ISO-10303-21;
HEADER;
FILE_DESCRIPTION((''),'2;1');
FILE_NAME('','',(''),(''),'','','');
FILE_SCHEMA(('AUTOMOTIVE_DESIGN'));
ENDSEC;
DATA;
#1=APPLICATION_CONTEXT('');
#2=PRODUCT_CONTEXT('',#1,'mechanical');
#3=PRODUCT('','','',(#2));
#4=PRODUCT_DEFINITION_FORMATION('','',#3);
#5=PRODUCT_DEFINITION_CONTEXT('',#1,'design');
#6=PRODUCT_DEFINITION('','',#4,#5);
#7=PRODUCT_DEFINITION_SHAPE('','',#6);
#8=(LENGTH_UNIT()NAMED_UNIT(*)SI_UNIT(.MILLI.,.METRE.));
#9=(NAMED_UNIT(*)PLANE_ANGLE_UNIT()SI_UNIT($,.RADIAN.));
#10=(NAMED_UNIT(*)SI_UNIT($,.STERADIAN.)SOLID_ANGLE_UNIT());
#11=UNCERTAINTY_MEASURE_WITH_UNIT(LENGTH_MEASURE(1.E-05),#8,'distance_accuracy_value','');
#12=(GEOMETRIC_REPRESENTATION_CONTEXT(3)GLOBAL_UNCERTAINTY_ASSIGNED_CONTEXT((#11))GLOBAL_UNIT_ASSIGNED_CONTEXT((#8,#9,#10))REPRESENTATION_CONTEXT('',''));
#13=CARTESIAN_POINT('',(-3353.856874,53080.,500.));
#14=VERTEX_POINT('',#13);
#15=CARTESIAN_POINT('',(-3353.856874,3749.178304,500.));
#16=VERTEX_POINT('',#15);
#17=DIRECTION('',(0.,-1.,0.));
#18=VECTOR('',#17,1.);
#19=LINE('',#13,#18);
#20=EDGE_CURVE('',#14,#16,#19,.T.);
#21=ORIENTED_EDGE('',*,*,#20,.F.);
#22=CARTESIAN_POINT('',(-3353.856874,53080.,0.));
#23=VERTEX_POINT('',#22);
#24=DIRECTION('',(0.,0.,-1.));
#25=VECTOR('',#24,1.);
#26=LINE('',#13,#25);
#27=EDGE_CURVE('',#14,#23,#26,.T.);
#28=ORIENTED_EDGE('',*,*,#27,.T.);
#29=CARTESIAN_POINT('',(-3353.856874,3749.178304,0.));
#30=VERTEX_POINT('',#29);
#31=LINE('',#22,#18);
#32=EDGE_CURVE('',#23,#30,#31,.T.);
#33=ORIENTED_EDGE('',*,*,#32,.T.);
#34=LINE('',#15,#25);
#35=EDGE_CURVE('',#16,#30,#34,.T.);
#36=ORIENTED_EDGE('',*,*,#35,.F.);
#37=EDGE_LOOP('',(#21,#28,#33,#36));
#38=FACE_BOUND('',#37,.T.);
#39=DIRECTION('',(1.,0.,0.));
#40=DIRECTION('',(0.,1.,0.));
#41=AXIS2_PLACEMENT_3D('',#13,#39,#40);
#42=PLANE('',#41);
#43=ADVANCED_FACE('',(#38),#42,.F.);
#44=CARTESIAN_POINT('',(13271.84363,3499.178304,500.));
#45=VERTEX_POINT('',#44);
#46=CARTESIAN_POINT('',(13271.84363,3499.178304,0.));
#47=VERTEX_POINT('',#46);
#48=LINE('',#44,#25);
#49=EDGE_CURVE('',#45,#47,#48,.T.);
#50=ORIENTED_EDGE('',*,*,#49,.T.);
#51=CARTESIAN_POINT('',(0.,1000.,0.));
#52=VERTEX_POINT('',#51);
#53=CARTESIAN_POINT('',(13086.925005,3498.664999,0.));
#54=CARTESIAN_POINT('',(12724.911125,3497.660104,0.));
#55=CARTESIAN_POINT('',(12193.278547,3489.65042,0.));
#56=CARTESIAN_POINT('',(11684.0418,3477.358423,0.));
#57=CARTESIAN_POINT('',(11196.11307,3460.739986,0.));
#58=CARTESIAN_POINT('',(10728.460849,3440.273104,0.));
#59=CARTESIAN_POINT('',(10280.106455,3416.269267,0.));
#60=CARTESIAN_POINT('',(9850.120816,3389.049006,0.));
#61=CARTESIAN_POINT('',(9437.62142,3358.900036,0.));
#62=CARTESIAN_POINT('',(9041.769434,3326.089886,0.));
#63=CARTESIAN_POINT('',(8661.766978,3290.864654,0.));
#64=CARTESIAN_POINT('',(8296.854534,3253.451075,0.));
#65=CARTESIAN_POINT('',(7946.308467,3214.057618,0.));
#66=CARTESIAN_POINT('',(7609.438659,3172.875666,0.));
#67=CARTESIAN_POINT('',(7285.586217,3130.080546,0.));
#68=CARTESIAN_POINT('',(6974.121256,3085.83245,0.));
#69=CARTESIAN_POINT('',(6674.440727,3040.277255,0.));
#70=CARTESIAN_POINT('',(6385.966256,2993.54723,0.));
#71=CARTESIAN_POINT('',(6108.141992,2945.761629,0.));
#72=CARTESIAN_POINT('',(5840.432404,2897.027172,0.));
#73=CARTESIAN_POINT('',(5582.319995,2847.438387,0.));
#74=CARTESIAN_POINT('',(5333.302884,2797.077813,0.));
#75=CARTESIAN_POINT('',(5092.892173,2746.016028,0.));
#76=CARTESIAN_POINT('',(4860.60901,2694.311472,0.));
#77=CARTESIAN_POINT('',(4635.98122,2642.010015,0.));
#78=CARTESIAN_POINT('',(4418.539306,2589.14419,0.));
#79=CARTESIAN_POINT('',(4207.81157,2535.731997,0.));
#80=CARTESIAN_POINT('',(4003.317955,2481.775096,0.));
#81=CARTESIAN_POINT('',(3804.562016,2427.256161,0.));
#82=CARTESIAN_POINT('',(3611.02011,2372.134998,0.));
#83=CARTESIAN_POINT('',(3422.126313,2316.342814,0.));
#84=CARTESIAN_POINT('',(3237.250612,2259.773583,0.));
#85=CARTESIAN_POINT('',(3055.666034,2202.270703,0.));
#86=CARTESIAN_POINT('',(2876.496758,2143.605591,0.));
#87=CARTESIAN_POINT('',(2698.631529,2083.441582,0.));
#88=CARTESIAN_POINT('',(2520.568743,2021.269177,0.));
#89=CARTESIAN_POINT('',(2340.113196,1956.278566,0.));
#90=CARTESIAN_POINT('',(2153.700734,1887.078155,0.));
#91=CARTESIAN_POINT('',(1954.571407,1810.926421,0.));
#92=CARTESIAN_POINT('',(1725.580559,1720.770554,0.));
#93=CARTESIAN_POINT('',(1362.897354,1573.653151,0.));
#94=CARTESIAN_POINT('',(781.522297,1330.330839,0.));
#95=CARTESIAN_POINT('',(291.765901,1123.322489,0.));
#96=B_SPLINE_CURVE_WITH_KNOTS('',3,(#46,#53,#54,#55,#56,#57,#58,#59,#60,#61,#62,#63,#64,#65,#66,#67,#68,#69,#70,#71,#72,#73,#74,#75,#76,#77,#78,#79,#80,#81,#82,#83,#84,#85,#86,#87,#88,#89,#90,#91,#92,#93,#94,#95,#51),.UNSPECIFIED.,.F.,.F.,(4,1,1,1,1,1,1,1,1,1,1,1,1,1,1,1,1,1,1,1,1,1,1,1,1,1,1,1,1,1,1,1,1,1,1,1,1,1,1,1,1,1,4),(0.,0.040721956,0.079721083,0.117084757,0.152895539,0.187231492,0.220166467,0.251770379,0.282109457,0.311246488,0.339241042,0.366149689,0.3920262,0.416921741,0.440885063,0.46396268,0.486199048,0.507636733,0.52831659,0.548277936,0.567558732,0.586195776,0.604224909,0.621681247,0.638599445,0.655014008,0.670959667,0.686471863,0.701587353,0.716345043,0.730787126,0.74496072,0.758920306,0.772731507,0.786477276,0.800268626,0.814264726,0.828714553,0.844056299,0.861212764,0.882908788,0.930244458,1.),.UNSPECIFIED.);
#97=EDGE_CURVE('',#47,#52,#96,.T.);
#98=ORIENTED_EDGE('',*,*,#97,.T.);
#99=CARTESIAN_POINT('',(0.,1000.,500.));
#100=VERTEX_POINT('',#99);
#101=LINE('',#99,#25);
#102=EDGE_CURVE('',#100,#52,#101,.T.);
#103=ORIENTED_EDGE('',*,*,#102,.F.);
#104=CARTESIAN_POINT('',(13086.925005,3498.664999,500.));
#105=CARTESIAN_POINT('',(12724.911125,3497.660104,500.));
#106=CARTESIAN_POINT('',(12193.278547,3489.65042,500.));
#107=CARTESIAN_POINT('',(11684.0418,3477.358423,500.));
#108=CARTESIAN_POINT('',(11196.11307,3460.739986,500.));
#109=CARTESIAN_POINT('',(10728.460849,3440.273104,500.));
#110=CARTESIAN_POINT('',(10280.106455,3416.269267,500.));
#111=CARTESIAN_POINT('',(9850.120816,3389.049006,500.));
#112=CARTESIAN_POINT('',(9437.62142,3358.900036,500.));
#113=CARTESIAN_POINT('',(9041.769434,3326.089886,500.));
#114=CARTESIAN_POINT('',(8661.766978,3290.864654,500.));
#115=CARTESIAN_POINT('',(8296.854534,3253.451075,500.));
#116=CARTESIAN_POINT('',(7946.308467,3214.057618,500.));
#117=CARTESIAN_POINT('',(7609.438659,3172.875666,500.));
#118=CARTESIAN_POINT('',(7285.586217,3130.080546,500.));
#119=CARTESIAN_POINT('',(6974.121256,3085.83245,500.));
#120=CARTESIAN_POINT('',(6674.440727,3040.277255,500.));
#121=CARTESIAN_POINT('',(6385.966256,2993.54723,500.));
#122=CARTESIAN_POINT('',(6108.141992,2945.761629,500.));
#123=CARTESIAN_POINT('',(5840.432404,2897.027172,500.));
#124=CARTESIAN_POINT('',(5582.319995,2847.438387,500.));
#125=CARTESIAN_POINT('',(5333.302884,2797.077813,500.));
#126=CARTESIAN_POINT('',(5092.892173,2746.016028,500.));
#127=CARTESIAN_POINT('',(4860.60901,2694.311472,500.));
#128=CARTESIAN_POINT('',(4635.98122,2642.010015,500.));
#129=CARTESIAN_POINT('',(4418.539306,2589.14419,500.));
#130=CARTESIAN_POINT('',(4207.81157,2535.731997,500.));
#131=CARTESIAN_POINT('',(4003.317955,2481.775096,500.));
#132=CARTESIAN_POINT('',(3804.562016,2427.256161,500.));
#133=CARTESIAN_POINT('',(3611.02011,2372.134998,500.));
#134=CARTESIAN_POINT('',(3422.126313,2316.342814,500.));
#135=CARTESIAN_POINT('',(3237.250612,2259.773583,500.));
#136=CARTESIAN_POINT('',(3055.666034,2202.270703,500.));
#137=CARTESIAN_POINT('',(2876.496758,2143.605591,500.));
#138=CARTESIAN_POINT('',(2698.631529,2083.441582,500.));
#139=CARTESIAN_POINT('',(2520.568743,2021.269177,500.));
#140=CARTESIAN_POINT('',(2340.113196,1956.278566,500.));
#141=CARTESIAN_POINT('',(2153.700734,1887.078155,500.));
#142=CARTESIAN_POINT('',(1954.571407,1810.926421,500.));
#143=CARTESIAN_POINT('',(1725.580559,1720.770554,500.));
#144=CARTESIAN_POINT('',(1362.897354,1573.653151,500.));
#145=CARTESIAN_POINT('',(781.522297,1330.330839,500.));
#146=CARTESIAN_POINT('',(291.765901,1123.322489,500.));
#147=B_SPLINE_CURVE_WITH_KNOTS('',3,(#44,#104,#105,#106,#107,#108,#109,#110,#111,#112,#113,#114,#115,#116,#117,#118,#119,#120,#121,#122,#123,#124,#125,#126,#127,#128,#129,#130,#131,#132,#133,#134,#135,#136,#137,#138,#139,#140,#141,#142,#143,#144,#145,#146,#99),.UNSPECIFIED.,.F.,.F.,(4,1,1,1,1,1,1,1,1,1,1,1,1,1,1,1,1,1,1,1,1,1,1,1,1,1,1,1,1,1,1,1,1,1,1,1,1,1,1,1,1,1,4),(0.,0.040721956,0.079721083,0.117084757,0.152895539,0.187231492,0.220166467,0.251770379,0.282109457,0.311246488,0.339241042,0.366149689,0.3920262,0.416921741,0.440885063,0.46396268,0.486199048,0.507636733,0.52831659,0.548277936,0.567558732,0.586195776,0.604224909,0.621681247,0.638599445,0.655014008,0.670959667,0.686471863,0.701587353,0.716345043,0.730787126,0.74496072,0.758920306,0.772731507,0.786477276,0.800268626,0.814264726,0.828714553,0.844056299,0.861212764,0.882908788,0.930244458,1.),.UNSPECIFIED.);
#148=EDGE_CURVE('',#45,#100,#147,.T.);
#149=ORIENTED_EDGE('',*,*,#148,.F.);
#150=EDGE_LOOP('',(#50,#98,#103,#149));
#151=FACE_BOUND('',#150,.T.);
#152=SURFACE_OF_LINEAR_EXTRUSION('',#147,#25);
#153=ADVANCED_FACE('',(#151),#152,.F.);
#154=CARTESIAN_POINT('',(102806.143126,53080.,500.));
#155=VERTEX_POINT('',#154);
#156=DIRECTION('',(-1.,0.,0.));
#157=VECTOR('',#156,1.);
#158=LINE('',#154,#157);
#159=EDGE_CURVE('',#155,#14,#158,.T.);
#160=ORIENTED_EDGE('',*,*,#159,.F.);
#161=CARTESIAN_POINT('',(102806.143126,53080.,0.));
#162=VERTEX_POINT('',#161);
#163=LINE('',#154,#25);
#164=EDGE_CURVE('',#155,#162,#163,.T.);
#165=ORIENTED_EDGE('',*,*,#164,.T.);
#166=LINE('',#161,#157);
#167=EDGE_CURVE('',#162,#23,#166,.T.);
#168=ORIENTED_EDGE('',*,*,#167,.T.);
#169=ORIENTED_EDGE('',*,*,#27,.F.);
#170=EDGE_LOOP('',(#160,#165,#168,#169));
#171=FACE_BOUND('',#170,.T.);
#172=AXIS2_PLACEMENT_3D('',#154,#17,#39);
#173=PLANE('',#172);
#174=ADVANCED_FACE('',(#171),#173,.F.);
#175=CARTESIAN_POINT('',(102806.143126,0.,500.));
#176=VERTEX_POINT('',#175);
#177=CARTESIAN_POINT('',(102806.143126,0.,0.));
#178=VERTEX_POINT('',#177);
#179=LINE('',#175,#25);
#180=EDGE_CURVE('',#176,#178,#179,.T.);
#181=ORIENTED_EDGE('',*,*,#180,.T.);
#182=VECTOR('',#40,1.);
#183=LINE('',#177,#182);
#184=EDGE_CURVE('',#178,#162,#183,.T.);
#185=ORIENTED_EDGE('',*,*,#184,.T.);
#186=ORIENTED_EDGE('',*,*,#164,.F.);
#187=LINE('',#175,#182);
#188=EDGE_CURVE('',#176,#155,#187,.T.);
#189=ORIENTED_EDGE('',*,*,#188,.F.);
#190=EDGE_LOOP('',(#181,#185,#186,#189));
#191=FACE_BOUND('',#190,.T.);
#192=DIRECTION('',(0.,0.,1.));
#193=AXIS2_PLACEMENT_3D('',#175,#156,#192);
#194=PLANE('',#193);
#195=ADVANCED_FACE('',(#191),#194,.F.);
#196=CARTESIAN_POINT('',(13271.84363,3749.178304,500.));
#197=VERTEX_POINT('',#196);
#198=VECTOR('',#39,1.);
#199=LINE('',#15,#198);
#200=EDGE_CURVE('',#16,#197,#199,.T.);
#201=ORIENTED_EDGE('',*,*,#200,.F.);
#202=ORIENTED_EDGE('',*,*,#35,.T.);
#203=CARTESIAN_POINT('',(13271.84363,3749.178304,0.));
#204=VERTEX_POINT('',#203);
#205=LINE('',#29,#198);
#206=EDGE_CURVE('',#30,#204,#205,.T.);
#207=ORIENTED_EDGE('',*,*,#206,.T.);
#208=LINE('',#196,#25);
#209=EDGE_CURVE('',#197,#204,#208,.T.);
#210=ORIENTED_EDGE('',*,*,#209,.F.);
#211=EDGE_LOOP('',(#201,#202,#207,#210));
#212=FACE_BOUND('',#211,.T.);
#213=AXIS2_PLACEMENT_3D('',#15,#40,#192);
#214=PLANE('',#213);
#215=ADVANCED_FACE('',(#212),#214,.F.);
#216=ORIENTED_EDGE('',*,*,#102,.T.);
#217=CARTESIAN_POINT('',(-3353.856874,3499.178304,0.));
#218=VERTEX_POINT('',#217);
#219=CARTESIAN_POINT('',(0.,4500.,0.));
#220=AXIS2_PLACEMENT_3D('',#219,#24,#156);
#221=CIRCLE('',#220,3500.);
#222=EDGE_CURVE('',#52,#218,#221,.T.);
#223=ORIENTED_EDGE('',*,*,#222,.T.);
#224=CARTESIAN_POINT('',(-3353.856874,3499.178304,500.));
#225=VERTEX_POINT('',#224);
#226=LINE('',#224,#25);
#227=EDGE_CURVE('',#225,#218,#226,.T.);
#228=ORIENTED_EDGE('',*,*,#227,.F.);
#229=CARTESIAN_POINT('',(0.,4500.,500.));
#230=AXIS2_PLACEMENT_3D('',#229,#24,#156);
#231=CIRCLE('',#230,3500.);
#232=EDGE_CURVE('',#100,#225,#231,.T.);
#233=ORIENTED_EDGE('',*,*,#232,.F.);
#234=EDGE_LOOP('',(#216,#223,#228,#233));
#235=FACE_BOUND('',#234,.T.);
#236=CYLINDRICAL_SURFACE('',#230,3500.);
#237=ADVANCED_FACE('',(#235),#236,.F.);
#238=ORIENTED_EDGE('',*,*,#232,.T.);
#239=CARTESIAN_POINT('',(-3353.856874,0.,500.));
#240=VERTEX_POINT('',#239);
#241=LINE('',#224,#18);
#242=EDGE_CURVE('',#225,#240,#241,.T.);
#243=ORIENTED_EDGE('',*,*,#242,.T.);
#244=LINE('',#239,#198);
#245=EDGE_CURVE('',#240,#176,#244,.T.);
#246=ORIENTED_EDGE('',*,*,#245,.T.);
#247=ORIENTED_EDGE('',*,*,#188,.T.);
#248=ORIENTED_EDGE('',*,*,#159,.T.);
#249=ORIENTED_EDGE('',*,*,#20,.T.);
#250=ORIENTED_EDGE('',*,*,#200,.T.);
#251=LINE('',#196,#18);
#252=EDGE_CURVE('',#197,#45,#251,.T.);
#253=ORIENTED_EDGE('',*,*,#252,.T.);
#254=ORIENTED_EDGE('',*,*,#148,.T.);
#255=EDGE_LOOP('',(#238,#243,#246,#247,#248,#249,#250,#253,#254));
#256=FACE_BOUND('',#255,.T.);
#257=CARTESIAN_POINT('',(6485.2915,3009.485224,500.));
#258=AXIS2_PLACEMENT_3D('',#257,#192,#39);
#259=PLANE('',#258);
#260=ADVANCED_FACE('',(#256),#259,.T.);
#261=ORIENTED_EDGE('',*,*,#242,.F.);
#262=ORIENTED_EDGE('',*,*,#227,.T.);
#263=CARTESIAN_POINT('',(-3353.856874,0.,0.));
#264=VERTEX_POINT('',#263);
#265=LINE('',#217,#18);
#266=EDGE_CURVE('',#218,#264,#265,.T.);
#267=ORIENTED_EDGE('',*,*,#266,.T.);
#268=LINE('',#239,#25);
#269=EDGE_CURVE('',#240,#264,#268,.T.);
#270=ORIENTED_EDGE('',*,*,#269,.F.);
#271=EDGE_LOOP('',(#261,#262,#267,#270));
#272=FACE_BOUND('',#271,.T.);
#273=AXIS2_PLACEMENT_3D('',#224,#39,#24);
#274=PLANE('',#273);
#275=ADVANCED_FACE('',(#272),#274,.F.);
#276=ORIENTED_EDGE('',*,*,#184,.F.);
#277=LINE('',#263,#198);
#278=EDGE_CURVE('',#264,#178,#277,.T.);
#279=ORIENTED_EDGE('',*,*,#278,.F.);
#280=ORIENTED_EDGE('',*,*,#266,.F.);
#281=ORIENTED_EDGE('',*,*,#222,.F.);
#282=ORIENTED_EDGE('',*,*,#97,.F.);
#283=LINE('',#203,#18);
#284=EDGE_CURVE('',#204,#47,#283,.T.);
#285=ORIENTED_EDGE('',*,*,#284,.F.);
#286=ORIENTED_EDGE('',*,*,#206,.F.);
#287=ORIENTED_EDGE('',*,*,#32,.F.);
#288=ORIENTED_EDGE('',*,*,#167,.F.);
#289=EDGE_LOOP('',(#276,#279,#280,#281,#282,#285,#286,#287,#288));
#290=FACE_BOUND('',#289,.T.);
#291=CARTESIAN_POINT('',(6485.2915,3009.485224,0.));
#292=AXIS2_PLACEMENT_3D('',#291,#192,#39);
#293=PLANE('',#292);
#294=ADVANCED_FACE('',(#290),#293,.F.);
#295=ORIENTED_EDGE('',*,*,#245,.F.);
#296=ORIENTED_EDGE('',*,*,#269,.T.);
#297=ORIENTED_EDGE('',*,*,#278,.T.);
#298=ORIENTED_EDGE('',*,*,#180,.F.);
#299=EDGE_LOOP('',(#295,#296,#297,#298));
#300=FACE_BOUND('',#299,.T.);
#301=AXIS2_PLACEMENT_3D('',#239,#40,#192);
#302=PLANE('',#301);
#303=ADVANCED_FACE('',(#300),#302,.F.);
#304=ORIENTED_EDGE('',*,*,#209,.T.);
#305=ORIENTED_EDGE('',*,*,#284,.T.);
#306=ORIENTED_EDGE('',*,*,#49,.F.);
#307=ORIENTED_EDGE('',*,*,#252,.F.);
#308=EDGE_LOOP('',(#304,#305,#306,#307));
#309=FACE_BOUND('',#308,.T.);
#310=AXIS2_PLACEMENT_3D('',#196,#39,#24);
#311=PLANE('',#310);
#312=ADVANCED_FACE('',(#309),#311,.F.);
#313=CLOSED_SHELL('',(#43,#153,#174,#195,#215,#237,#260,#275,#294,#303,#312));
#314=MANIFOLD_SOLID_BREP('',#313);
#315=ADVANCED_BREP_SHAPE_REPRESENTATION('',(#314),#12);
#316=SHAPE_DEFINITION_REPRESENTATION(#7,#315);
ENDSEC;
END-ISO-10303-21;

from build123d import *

# Parameters (mm, degrees)
BOSS_EXTRUDE1_DEPTH = 500


with BuildPart() as part:
    # Sketch1 → Boss-Extrude1 (new body)
    with BuildSketch(Plane.XY):
        with BuildLine():
            Line((-3353.856874341, 3499.178304373), (-3353.856874341, 0))
            Line((-3353.856874341, 0), (102806.143125659, 0))
            Line((102806.143125659, 0), (102806.143125659, 53080))
            Line((102806.143125659, 53080), (-3353.856874341, 53080))
            Line((-3353.856874341, 53080), (-3353.856874341, 3749.178304373))
            Line((-3353.856874341, 3749.178304373), (13271.843629608, 3749.178304373))
            Line((13271.843629608, 3749.178304373), (13271.843629608, 3499.178304373))
            add(Edge.make_bspline(
                [(0, 1000), (291.765900603, 1123.322488736), (781.522297226, 1330.330838858), (1362.897354233, 1573.653151088), (1725.58055856, 1720.77055381), (1954.57140661, 1810.926420972), (2153.700733637, 1887.07815454), (2340.113195958, 1956.278566329), (2520.568742906, 2021.269176864), (2698.631529223, 2083.441582039), (2876.496758345, 2143.60559098), (3055.666034414, 2202.270703111), (3237.250612129, 2259.773582693), (3422.126312829, 2316.342813928), (3611.0201096, 2372.13499832), (3804.562016384, 2427.256160941), (4003.317955266, 2481.775096262), (4207.811570405, 2535.731997309), (4418.539306117, 2589.144190276), (4635.981220127, 2642.010014835), (4860.60901013, 2694.311472469), (5092.892172544, 2746.016028353), (5333.302883792, 2797.077813252), (5582.319994726, 2847.438387022), (5840.432403528, 2897.027171884), (6108.141991809, 2945.761629128), (6385.966255513, 2993.547229939), (6674.440726513, 3040.277255451), (6974.121256361, 3085.832450297), (7285.586216703, 3130.080546165), (7609.438658958, 3172.875666363), (7946.308467423, 3214.05761783), (8296.854533956, 3253.451075226), (8661.766978119, 3290.864653641), (9041.76943365, 3326.089886388), (9437.621420016, 3358.900035556), (9850.120816466, 3389.049006357), (10280.106455001, 3416.269267446), (10728.460848663, 3440.273104087), (11196.113069896, 3460.739986102), (11684.04179999, 3477.358423093), (12193.278546938, 3489.650420084), (12724.911125486, 3497.660104241), (13086.92500481, 3498.66499884), (13271.843629608, 3499.178304373)],
                knots=[0, 0, 0, 0, 0.069755542, 0.117091212, 0.138787236, 0.155943701, 0.171285447, 0.185735274, 0.199731374, 0.213522724, 0.227268493, 0.241079694, 0.25503928, 0.269212874, 0.283654957, 0.298412647, 0.313528137, 0.329040333, 0.344985992, 0.361400555, 0.378318753, 0.395775091, 0.413804224, 0.432441268, 0.451722064, 0.47168341, 0.492363267, 0.513800952, 0.53603732, 0.559114937, 0.583078259, 0.6079738, 0.633850311, 0.660758958, 0.688753512, 0.717890543, 0.748229621, 0.779833533, 0.812768508, 0.847104461, 0.882915243, 0.920278917, 0.959278044, 1, 1, 1, 1], degree=3))
            ThreePointArc((0, 1000), (-2091.306298143, 1693.500762988), (-3353.856874341, 3499.178304373))
        make_face()
    extrude(amount=BOSS_EXTRUDE1_DEPTH)


solid = part.part
